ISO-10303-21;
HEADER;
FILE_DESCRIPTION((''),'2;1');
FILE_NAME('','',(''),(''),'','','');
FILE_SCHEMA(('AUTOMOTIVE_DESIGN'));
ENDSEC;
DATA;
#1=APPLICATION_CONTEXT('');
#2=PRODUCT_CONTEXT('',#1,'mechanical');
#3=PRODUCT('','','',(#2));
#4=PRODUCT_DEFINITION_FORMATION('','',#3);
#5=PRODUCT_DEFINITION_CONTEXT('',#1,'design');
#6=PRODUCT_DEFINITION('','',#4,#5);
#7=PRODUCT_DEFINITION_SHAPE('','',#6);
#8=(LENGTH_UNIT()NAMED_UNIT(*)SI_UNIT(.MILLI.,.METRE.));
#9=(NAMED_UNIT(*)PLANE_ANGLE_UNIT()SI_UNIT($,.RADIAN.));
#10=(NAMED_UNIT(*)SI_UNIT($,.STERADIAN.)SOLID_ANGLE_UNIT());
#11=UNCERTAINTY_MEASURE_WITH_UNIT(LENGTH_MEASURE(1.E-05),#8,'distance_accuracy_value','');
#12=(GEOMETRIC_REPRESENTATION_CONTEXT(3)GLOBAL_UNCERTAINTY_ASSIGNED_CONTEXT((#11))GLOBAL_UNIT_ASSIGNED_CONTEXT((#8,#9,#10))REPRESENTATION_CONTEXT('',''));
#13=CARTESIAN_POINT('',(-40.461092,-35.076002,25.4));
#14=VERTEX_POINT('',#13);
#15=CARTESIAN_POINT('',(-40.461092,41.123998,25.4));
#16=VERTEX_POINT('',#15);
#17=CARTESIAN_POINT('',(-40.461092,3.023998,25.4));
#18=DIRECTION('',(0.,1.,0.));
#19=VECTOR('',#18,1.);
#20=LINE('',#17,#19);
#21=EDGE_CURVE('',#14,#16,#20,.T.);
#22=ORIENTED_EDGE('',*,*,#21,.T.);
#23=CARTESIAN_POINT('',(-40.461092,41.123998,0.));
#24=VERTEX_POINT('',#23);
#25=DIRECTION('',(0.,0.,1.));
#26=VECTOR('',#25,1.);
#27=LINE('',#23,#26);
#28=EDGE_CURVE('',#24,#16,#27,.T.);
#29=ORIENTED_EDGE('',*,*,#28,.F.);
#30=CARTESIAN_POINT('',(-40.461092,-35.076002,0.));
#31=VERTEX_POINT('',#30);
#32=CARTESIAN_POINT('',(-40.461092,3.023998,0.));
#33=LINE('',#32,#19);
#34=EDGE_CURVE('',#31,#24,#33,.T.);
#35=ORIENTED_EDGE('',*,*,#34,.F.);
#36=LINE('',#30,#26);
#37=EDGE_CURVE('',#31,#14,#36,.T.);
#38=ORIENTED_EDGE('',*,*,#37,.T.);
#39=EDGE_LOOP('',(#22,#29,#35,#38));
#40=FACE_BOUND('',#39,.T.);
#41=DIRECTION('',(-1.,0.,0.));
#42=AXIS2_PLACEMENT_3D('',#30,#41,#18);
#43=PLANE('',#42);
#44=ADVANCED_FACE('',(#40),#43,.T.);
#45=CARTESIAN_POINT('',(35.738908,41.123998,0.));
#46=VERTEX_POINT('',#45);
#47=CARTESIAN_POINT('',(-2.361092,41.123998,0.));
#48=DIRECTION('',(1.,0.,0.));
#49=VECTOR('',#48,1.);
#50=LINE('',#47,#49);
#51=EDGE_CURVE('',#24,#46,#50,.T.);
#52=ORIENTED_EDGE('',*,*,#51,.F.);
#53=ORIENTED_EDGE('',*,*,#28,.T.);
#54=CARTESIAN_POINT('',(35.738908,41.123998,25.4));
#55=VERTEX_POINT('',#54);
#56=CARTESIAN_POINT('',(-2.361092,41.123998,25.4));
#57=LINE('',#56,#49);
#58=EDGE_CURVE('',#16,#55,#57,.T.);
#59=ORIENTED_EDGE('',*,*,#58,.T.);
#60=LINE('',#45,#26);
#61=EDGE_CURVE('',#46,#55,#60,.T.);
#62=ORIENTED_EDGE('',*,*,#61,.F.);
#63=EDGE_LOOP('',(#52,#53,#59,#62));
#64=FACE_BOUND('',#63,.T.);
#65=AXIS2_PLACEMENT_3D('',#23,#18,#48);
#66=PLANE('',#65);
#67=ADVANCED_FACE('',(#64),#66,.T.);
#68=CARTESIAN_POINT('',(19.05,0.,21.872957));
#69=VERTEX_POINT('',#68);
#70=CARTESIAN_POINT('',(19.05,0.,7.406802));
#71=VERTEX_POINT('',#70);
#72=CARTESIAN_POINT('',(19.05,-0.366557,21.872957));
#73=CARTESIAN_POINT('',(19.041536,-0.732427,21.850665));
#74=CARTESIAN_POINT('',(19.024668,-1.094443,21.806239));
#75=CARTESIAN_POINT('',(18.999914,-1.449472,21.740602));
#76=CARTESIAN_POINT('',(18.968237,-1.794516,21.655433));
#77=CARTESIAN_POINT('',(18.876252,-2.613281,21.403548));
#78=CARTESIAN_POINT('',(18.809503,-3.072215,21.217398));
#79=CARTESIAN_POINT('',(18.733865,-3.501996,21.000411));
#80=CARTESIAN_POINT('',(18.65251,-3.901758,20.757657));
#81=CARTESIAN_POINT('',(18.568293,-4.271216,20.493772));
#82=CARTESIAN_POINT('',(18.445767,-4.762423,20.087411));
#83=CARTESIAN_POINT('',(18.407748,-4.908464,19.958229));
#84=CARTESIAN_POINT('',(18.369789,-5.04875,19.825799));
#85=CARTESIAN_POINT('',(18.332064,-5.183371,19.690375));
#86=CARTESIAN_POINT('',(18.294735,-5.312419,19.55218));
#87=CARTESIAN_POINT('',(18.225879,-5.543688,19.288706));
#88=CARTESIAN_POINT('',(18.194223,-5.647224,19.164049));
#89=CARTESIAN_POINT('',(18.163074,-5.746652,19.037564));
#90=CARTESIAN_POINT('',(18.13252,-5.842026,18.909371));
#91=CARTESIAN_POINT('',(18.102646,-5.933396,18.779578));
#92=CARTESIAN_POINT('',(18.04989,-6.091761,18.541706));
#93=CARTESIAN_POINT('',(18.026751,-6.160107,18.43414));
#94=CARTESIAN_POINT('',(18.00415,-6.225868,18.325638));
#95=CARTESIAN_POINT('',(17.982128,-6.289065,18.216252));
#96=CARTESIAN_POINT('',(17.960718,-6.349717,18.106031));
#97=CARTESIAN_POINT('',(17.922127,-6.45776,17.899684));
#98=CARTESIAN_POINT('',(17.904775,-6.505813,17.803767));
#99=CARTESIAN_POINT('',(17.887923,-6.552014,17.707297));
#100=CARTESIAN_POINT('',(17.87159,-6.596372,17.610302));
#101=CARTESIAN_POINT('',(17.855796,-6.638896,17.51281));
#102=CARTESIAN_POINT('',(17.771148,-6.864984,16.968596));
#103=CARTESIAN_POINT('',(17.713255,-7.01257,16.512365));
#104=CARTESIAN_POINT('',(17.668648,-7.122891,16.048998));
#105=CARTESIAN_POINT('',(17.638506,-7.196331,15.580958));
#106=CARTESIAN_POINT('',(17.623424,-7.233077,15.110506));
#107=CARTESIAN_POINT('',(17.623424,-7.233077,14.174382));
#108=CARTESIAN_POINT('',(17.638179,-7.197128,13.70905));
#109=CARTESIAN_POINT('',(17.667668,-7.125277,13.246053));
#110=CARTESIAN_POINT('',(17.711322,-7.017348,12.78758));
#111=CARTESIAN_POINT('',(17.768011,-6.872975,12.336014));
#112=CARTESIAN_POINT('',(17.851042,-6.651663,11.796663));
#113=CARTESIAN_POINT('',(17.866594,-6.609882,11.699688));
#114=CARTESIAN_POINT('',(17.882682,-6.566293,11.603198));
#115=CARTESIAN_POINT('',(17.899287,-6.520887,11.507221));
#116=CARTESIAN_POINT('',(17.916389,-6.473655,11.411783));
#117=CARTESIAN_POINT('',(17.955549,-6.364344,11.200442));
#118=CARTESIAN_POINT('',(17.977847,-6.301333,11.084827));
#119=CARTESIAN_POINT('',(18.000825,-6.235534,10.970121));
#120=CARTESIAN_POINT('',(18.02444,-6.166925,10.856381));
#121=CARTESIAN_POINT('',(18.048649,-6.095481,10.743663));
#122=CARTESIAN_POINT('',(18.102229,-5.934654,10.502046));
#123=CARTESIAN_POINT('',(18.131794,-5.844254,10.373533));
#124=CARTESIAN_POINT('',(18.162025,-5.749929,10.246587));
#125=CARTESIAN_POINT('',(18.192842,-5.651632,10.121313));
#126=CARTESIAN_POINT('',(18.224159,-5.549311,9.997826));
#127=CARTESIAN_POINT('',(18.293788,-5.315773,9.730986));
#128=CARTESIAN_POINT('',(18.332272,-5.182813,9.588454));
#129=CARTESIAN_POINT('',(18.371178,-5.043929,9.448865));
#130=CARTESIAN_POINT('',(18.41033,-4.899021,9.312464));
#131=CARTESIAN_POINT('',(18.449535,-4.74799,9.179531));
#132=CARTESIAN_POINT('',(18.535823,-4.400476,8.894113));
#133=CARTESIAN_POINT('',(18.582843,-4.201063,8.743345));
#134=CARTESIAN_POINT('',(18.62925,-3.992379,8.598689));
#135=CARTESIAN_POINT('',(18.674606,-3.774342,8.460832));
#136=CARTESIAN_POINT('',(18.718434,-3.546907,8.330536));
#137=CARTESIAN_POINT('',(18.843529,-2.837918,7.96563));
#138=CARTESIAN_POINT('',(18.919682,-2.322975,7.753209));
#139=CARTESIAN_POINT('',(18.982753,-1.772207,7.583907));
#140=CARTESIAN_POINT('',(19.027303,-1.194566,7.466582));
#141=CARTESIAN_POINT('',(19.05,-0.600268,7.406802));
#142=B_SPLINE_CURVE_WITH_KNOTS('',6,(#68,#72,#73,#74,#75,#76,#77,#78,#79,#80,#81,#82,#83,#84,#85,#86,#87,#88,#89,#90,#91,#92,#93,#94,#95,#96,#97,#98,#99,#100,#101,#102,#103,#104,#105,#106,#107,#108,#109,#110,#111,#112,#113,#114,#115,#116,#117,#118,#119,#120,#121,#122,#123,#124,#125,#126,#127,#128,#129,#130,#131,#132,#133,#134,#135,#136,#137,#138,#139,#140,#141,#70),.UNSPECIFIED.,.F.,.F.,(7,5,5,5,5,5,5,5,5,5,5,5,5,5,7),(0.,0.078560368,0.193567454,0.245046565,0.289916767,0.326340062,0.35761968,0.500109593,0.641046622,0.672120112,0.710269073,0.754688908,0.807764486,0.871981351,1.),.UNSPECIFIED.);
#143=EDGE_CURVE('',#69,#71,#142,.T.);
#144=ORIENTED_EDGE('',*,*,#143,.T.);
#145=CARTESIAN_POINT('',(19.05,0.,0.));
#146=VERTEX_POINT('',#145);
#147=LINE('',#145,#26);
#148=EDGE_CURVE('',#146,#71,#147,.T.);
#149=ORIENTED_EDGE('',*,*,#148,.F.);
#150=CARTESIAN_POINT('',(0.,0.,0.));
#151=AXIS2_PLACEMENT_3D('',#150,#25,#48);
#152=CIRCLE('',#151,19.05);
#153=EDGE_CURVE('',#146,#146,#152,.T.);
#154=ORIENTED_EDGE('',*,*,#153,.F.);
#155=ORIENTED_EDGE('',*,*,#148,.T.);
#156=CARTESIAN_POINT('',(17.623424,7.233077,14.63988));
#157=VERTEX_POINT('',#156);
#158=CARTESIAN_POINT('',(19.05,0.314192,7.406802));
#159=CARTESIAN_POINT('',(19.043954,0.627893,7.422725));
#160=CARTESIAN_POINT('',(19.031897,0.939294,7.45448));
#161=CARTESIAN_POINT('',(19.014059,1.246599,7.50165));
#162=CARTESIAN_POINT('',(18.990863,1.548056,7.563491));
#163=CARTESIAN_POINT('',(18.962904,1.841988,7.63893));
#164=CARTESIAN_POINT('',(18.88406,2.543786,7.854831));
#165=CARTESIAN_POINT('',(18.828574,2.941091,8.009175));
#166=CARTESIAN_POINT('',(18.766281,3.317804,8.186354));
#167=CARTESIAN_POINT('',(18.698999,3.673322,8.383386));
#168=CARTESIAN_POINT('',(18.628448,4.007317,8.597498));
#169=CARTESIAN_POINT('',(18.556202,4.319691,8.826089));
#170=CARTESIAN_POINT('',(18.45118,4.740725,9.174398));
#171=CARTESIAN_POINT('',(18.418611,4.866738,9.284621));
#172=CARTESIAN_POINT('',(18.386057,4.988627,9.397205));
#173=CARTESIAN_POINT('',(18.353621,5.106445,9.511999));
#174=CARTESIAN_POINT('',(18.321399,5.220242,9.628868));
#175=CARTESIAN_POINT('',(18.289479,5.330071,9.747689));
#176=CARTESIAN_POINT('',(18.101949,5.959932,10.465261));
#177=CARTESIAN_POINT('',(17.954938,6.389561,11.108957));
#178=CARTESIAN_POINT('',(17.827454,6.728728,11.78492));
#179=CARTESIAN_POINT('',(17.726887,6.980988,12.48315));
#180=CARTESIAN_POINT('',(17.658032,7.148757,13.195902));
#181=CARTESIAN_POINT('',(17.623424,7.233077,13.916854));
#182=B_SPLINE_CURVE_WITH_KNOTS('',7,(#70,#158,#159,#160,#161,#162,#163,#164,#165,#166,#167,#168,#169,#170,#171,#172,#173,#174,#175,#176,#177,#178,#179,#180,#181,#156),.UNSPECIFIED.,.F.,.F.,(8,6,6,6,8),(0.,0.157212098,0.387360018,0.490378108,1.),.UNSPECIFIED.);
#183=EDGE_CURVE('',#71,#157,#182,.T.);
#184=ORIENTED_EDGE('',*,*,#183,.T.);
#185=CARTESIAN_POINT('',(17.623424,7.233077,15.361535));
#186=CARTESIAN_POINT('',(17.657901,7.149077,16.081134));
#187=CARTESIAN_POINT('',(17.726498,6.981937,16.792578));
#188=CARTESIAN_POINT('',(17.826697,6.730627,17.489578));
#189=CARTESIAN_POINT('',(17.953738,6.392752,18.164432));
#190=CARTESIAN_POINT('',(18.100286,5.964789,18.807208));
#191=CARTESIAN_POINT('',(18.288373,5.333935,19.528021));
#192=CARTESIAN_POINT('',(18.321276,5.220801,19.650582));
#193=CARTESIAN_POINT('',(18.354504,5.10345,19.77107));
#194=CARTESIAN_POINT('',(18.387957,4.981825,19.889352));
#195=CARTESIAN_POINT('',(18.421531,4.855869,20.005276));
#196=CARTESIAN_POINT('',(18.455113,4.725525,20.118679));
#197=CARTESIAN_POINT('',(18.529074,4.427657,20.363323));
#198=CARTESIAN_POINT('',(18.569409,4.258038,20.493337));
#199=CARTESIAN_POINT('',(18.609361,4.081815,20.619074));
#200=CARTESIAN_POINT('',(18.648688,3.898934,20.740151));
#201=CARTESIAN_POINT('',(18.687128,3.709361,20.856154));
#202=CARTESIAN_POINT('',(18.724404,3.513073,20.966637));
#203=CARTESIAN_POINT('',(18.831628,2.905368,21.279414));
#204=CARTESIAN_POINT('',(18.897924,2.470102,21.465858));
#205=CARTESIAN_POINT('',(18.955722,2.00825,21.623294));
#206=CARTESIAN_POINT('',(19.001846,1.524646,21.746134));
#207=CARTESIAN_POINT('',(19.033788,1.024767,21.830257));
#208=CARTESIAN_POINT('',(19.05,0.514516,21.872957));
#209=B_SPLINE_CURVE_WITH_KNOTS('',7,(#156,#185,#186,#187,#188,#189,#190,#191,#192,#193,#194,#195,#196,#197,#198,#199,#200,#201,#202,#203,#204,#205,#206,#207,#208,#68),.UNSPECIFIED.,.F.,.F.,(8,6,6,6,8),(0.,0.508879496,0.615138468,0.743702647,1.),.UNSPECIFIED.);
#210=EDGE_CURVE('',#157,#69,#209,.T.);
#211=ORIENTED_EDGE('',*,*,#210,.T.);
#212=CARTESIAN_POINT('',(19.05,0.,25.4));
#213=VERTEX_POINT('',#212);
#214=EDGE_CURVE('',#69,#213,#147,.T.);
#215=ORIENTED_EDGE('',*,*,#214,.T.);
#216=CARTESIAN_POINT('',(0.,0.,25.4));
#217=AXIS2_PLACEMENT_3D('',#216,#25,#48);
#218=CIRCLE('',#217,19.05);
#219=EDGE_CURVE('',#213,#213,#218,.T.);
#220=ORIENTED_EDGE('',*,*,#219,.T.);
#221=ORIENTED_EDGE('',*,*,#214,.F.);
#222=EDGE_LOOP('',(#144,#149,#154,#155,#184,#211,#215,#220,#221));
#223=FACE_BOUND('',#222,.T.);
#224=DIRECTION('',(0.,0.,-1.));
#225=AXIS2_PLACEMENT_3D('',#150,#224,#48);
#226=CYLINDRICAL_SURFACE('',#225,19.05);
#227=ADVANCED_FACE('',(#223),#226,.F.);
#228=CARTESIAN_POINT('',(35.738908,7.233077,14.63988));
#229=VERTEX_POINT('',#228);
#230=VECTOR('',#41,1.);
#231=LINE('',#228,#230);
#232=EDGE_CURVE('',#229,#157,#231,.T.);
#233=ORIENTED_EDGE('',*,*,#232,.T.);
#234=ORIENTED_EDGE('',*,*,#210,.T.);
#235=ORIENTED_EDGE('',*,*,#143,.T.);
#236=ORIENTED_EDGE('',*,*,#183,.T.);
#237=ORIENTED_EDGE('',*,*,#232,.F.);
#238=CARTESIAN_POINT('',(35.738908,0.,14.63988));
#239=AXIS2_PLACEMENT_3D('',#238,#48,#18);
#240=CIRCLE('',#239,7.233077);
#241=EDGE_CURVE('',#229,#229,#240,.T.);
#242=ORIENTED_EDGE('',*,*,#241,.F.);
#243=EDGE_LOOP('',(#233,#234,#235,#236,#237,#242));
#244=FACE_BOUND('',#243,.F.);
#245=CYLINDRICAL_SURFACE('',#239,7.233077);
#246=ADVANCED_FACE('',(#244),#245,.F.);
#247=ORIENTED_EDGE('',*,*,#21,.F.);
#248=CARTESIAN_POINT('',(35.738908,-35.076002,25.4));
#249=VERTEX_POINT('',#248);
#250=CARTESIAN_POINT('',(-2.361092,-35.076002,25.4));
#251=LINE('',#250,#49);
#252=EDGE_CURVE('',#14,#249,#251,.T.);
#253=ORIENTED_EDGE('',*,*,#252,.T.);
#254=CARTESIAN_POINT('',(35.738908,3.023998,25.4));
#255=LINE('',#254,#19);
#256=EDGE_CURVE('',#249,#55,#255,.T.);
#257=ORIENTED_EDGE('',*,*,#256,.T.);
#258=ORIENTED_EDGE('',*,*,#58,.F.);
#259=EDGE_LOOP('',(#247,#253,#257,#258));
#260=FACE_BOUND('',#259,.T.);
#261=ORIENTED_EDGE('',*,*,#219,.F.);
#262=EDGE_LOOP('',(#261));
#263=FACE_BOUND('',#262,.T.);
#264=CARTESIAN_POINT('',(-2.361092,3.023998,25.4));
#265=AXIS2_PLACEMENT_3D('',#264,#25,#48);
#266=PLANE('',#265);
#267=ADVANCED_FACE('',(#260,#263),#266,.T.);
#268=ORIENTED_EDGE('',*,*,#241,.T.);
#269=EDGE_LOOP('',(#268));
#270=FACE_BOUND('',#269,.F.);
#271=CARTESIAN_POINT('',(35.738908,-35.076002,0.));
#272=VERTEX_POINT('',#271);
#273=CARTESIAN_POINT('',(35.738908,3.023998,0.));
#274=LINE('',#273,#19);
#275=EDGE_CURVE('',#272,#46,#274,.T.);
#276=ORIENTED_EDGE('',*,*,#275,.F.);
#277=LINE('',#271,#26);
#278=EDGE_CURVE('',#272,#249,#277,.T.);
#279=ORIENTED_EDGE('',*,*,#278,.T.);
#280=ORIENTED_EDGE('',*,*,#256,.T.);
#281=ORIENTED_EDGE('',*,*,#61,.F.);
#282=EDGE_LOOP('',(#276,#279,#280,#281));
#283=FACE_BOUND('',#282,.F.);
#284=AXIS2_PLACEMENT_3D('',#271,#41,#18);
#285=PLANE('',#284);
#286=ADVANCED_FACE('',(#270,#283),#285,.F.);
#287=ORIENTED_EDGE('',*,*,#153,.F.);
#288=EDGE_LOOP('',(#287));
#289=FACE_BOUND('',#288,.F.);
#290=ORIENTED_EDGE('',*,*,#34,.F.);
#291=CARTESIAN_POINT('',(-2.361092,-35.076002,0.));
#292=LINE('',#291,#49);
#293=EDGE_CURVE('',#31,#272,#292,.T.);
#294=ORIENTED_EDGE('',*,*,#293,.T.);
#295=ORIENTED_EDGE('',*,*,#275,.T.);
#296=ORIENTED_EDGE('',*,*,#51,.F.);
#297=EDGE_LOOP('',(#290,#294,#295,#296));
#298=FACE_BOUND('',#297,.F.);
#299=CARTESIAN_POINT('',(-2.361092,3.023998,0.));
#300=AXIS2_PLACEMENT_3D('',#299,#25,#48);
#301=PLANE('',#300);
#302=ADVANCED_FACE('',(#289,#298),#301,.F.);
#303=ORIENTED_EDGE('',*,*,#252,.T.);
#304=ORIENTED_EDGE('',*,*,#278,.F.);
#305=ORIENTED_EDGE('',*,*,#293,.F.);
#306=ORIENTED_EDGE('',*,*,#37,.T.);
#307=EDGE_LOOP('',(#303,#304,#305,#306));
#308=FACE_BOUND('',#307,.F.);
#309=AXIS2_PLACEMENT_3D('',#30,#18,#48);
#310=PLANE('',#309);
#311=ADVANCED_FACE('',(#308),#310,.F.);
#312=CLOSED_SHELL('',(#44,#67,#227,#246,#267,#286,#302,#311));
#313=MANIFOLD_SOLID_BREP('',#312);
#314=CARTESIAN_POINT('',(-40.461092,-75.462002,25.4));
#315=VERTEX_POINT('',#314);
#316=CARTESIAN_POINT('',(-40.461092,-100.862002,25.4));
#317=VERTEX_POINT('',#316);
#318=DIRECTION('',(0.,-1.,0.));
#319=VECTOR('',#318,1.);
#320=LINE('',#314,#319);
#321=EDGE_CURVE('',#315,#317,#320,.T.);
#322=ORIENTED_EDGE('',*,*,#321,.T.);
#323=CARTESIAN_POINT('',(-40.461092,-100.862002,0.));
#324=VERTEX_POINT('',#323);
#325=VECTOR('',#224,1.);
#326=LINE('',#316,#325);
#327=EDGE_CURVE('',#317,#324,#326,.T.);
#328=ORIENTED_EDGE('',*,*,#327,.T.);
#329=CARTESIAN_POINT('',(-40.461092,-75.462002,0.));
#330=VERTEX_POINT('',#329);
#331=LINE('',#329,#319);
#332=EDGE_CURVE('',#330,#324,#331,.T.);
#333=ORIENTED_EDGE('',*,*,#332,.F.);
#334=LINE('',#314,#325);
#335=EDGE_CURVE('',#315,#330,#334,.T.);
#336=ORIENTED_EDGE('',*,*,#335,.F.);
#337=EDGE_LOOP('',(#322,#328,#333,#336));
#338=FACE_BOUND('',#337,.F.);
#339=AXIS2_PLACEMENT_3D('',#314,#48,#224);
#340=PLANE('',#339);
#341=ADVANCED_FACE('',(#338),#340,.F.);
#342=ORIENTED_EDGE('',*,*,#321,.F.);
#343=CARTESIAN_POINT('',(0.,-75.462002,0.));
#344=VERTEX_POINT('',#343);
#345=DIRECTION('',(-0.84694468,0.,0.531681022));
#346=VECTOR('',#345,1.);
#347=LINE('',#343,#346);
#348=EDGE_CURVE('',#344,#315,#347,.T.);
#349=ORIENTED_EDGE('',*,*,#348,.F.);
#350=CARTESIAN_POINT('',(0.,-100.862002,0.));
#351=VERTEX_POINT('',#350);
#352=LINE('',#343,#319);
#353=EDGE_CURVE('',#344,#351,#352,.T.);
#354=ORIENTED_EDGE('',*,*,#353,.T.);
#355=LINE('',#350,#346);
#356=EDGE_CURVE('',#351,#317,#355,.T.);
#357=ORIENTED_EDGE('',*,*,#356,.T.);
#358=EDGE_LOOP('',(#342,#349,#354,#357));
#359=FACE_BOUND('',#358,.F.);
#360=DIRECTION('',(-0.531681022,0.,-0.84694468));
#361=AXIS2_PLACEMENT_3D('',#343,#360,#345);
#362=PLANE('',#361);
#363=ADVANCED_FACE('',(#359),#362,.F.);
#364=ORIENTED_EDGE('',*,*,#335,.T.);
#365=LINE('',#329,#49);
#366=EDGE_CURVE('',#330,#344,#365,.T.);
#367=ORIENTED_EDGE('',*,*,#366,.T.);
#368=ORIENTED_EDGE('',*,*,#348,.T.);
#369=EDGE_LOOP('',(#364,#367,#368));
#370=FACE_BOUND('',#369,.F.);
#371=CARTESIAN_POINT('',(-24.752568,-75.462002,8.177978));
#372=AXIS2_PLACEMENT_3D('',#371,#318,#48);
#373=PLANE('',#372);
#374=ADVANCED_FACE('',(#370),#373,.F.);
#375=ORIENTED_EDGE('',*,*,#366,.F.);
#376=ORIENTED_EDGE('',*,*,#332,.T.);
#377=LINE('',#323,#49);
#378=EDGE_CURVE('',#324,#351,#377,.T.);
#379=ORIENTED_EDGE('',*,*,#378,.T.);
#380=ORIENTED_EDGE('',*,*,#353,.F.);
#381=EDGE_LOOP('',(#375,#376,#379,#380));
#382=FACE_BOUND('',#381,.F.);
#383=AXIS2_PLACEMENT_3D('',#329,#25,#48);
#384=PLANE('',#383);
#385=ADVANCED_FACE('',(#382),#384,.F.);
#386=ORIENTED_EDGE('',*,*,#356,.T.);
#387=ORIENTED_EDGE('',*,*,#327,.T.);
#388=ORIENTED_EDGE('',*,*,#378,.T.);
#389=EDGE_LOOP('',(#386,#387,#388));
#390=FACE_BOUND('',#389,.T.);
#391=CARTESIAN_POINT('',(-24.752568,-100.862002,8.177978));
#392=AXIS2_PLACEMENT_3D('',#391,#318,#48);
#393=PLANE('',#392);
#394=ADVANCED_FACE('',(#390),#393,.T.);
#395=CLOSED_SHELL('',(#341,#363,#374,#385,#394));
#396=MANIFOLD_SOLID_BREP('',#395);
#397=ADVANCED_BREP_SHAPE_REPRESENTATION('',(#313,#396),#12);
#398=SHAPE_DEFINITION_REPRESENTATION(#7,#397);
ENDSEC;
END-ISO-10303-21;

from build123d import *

# Parameters (mm, degrees)
F0_W     = 76.2
F0_H     = 76.2
F0_R     = 19.05
F1_DEPTH = 25.4
F2_R     = 7.2330774602
F3_DEPTH = 25.4
F7_DEPTH = 25.4


with BuildPart() as f1:
    # F0 (on Top) → F1 (new body)
    with BuildSketch(Plane.XY):
        with Locations((-2.3610922456, 3.023998341)):
            Rectangle(F0_W, F0_H)
        Circle(F0_R, mode=Mode.SUBTRACT)
    extrude(amount=F1_DEPTH)

    # F2 (on face) → F3 (cut)
    with BuildSketch(Plane.YZ.offset(35.7389077544)):
        with Locations((0, 14.6398795769)):
            Circle(F2_R)
    extrude(amount=-F3_DEPTH, mode=Mode.SUBTRACT)


with BuildPart() as f7:
    # F6 (on offset) → F7 (new body)
    with BuildSketch(Plane.XZ.offset(75.462001659)):
        Polygon((-40.4610922456, 0), (0, 0), (-40.4610922456, 25.4), align=None)
    extrude(amount=F7_DEPTH)


solid = Compound([f1.part, f7.part])
